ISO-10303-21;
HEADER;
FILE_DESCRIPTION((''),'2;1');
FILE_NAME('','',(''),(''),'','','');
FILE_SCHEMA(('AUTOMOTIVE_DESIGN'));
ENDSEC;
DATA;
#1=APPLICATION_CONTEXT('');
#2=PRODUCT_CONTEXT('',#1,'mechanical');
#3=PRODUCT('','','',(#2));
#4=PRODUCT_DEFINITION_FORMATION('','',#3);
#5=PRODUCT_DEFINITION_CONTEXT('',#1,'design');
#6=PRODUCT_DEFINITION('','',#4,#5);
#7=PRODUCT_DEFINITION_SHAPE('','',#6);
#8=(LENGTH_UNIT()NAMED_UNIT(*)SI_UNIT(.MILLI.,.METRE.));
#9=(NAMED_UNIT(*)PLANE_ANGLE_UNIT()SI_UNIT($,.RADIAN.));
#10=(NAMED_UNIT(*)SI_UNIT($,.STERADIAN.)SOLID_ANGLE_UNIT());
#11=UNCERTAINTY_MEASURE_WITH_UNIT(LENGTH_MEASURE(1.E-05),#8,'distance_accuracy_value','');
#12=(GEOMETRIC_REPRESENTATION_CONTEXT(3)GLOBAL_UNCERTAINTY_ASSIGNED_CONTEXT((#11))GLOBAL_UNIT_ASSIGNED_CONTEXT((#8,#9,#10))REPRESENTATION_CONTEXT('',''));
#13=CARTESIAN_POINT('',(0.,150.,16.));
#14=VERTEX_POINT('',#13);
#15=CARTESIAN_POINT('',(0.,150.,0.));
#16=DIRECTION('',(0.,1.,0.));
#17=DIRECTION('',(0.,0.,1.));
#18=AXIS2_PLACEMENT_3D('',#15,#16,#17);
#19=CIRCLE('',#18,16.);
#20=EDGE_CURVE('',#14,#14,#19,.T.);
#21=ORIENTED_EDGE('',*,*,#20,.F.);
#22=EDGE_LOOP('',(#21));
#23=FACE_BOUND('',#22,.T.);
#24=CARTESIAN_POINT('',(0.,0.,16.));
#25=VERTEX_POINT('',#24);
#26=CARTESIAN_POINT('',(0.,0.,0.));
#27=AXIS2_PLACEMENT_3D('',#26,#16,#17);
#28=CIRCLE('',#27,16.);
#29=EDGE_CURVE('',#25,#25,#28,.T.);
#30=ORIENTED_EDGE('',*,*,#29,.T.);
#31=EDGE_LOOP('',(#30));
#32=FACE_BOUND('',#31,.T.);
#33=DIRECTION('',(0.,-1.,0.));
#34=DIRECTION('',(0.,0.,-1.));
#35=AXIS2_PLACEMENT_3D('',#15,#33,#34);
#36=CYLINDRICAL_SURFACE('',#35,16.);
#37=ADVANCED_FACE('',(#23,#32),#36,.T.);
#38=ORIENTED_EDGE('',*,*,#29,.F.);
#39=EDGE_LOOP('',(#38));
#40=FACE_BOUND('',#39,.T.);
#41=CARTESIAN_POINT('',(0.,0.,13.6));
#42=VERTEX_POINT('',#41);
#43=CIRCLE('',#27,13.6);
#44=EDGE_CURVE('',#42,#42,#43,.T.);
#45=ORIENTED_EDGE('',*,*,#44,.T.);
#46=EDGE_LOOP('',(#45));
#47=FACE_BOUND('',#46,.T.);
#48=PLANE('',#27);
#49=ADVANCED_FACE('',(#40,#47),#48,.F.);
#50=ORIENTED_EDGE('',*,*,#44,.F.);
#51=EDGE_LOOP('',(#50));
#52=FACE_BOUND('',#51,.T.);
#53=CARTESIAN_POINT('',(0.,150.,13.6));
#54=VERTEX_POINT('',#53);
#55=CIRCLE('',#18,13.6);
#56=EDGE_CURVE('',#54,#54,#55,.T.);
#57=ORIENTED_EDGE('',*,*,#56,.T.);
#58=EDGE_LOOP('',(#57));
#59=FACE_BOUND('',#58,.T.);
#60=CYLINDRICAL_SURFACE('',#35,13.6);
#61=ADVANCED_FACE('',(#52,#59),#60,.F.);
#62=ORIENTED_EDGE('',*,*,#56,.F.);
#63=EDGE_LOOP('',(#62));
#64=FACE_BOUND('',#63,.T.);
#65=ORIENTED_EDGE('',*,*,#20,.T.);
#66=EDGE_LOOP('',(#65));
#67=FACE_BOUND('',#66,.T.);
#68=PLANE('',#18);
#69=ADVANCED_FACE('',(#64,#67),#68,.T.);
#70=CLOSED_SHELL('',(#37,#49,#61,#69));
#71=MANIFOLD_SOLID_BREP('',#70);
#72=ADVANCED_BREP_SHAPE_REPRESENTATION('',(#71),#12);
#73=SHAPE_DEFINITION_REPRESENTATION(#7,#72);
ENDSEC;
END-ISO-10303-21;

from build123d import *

# Parameters (mm, degrees)
SKETCH_1_R      = 16
SKETCH_1_R_2    = 13.6
EXTRUDE_1_DEPTH = 150


with BuildPart() as part:
    # 草图1 → 凸台-拉伸1 (new body)
    with BuildSketch(Plane(origin=(0, 0, 0), x_dir=(1, 0, 0), z_dir=(0, 1, 0))):
        with Locations(Location((0, 0, 0), (0, 0, 270))):
            Circle(SKETCH_1_R)
        with Locations(Location((0, 0, 0), (0, 0, 270))):
            Circle(SKETCH_1_R_2, mode=Mode.SUBTRACT)
    extrude(amount=EXTRUDE_1_DEPTH)


solid = part.part
